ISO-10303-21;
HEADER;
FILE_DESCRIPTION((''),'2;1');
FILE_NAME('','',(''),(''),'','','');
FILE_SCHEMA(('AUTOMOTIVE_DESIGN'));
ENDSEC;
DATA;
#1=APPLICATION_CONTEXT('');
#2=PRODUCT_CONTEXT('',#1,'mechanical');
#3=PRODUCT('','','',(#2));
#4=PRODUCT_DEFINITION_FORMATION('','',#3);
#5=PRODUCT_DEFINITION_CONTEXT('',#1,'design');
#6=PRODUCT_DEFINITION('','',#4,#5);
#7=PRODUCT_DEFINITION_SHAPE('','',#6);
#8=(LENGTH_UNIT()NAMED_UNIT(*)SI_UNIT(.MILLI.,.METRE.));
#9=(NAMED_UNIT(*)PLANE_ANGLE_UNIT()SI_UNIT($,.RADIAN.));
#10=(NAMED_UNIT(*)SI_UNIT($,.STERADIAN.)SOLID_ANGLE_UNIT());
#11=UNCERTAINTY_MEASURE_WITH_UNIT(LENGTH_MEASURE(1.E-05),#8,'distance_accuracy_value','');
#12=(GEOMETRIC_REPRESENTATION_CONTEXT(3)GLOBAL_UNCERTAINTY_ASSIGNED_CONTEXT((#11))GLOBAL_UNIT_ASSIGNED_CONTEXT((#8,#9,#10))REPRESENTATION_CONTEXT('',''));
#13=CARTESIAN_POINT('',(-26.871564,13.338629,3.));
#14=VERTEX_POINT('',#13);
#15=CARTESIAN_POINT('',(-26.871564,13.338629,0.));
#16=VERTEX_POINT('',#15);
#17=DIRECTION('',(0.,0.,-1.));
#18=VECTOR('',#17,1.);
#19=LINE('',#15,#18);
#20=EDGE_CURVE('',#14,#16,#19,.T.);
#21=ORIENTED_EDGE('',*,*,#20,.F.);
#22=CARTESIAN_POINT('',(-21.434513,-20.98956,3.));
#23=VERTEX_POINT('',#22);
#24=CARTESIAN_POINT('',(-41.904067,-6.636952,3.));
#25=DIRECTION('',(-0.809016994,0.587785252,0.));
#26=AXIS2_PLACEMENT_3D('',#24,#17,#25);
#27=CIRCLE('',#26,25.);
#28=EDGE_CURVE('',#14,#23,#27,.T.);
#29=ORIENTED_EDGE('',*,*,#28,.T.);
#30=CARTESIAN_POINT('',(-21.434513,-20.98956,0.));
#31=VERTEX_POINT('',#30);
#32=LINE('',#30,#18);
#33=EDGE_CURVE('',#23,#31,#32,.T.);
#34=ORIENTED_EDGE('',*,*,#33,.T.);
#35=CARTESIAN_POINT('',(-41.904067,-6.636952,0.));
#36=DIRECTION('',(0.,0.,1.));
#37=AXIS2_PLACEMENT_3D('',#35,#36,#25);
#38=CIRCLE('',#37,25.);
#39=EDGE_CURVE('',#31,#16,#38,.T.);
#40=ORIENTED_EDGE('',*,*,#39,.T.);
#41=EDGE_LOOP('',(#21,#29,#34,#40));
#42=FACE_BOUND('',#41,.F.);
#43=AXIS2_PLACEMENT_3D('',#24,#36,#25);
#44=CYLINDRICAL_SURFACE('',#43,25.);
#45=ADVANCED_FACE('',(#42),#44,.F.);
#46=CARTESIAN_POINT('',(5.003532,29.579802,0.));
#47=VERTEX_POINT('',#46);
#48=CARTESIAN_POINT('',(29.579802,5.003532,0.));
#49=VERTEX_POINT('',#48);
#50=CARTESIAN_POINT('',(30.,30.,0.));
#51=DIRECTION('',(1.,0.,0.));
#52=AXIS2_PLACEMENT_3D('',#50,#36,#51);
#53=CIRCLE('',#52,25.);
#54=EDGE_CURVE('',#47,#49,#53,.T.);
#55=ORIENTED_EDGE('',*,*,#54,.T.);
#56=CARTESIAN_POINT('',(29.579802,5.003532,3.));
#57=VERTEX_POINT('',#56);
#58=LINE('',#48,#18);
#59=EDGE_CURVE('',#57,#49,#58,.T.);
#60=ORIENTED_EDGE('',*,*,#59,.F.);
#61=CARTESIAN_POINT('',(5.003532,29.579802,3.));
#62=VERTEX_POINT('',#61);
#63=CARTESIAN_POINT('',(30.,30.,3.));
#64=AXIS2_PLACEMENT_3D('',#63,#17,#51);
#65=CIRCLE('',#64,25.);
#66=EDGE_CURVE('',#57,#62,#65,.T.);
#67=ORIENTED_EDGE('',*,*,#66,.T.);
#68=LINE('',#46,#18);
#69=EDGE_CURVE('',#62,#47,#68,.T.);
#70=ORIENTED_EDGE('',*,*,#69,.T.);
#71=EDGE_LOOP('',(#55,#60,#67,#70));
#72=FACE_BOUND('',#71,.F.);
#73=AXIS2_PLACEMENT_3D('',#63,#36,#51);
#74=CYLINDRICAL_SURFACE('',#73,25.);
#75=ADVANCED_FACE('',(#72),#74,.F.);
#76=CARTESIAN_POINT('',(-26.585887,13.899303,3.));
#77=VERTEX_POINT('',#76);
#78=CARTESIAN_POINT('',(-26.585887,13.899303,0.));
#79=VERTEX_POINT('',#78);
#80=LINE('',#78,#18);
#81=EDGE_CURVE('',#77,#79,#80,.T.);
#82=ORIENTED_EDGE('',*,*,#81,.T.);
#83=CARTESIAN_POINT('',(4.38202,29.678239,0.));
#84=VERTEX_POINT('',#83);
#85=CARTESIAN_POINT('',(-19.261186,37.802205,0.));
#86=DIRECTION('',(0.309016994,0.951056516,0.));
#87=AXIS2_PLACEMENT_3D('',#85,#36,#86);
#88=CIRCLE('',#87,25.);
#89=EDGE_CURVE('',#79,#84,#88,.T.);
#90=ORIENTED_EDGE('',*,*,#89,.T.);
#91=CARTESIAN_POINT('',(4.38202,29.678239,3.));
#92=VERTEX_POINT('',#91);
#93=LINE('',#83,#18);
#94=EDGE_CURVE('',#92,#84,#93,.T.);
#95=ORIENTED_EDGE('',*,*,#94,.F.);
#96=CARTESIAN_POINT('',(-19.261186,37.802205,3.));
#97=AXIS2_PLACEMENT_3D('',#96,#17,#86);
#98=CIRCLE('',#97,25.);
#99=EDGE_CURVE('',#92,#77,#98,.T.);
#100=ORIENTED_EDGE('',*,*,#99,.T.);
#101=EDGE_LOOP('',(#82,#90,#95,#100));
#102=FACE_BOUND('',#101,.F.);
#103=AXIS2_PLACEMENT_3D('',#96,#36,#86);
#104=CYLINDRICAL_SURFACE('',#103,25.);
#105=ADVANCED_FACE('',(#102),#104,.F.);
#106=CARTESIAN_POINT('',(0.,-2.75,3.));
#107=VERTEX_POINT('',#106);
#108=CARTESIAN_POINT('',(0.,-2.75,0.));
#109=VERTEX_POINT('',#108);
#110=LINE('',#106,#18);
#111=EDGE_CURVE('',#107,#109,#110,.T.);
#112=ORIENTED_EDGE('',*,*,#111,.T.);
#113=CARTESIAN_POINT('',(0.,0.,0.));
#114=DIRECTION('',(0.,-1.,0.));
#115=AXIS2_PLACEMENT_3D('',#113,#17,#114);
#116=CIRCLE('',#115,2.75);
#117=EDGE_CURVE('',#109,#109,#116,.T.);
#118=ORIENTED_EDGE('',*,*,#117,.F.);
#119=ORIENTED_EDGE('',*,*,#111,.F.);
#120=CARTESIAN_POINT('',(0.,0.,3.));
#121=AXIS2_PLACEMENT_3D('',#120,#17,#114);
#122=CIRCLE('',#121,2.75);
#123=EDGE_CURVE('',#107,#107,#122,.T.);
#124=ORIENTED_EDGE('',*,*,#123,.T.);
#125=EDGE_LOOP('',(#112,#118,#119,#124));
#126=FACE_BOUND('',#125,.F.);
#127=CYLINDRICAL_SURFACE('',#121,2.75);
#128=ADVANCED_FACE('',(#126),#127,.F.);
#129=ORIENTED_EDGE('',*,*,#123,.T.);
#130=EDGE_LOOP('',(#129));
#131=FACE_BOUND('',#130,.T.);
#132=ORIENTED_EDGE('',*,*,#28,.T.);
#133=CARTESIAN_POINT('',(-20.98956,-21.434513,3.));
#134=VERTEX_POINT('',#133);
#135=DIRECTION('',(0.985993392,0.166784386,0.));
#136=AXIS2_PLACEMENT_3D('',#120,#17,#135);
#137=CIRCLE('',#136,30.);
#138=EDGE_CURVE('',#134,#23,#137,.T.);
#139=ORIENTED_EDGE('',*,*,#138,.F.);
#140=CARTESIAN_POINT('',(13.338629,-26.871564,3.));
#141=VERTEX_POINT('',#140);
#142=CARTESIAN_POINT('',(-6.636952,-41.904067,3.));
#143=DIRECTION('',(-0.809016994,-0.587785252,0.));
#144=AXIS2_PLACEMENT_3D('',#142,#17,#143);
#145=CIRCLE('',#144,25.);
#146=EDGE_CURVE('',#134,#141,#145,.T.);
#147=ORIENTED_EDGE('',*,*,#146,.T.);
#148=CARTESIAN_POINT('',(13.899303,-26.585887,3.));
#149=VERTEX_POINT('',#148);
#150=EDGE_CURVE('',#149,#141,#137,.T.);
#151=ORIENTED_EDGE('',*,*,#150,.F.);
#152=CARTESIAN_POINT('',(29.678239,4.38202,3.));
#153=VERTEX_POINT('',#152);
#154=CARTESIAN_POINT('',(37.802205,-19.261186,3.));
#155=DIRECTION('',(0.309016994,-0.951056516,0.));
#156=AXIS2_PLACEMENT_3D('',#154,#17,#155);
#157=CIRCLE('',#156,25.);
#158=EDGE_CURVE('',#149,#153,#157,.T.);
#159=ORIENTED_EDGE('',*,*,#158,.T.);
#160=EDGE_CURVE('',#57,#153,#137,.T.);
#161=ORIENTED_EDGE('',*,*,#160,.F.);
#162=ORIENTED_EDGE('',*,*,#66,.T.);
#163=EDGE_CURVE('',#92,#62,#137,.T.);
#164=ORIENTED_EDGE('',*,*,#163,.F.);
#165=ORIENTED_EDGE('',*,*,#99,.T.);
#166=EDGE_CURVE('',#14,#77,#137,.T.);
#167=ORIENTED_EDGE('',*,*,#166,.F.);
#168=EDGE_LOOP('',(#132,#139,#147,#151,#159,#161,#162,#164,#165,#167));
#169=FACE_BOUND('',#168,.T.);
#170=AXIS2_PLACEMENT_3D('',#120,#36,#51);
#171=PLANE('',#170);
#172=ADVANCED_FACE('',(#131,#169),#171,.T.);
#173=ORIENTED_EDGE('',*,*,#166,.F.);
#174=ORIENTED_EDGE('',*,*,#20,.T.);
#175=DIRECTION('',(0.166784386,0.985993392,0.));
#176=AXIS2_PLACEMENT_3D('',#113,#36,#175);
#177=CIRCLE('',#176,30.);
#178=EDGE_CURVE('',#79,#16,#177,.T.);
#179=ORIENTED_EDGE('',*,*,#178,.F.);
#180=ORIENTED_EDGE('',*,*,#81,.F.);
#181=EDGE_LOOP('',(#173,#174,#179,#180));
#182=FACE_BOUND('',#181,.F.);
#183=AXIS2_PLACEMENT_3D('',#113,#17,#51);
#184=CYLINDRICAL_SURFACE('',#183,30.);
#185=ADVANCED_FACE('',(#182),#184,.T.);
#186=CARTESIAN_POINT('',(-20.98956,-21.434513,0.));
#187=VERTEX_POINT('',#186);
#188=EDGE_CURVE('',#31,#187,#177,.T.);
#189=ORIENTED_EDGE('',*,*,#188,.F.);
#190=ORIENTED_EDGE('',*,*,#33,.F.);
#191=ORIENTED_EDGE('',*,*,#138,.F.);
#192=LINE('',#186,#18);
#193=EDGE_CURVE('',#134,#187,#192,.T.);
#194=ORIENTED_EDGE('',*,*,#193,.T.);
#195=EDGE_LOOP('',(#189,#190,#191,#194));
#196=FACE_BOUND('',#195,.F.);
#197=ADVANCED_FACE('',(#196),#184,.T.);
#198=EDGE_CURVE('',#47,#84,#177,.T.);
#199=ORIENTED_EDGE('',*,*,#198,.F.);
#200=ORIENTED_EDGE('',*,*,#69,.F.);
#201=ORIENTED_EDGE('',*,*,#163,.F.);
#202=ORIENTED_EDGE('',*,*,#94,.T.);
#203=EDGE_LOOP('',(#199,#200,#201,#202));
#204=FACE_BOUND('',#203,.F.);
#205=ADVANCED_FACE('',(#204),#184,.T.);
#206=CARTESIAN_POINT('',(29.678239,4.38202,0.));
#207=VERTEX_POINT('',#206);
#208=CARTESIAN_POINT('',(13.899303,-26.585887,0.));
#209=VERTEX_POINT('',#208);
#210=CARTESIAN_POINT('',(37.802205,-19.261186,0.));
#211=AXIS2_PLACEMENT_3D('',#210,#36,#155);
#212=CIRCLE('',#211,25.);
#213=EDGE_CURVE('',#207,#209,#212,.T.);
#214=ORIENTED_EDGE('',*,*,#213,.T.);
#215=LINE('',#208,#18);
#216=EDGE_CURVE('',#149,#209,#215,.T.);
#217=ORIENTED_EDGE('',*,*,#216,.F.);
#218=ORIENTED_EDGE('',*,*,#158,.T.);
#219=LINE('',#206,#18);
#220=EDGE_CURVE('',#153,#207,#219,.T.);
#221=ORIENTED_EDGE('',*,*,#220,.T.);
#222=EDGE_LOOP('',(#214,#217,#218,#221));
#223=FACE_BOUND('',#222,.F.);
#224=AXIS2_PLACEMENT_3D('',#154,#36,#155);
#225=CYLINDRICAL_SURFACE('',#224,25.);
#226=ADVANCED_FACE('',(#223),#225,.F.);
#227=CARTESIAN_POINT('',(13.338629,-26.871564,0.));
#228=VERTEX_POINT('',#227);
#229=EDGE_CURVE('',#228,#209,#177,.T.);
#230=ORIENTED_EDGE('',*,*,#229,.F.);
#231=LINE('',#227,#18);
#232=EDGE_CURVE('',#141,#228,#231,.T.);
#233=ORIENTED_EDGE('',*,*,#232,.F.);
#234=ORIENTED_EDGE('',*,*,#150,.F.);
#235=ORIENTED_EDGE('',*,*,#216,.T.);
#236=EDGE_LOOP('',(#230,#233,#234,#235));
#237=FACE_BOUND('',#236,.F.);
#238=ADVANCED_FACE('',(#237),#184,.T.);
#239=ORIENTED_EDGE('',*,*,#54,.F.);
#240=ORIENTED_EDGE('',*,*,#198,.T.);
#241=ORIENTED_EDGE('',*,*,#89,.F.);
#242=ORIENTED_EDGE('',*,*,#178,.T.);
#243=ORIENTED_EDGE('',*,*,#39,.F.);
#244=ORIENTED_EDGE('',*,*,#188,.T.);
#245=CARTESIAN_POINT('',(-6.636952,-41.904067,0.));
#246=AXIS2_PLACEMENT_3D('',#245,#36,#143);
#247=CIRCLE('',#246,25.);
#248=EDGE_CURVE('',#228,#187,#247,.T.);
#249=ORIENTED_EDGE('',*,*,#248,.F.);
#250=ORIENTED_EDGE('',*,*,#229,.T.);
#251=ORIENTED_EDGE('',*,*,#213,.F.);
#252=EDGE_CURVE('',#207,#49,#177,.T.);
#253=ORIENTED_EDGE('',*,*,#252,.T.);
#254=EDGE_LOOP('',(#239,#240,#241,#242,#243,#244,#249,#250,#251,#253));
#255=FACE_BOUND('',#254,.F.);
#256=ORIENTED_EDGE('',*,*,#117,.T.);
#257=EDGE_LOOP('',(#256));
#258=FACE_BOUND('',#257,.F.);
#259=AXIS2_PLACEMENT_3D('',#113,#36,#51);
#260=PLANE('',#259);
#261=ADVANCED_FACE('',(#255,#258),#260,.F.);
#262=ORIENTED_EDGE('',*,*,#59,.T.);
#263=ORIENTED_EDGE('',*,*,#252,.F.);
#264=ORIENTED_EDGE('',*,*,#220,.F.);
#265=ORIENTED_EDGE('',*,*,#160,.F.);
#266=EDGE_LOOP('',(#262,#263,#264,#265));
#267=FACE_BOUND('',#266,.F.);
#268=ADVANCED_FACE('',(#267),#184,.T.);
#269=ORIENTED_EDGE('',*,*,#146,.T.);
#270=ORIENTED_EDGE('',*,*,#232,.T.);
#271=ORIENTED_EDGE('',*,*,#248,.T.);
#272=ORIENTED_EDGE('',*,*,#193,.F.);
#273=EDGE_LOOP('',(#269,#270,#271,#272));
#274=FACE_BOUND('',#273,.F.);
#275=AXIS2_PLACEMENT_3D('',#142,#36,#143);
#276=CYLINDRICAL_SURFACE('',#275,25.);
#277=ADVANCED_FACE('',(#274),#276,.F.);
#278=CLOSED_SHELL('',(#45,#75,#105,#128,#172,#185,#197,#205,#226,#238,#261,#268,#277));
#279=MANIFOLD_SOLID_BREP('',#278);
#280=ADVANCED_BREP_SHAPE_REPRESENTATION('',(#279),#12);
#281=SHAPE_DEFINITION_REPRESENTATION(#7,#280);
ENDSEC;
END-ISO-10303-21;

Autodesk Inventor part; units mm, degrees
ref_plane "YZ Plane" through (0, 0, 0) normal (1, 0, 0) x (0, 1, 0)
ref_plane "XZ Plane" through (0, 0, 0) normal (0, 1, 0) x (-1, 0, 0)
ref_plane "XY Plane" through (0, 0, 0) normal (0, 0, 1) x (1, 0, 0)
sketch "Sketch1" plane through (0, 0, 0) normal (0, 0, 1) x (1, 0, 0)
  circle A0 centre (0, 0) radius 30
  dimension "d0" = 60
extrude "Extrusion1" add sketch "Sketch1" along normal blind 3
sketch "Sketch2" plane through (0, 0, 3) normal (0, 0, 1) x (1, 0, 0)
  circle A0 centre (0, 0) radius 30 projected
  circle A1 centre (30, 30) radius 25
  dimension "d6" = 50
  dimension "d7" = 30
  dimension "d8" = 30
extrude "Extrusion2" cut sketch "Sketch2" against normal through all contours A1 A0 | A0 A1 picked at (18.8229, 17.5315) picked at (30.2504, 29.5845)
pattern_circular "Circular Pattern1" count 5 over 360 about axis through (0, 0, -10) along (0, 0, 1) of "Extrusion2"
sketch "Sketch3" plane through (0, 0, 3) normal (0, 0, 1) x (1, 0, 0)
  point P0 (0, 0)
  point P1 (0, 0)
hole "Hole1" at (0, 0, 3) direction (0, 0, -1) diameter 5.5 end through all
equation "\"d8\" = d7"
properties part number "Timing_Star"
